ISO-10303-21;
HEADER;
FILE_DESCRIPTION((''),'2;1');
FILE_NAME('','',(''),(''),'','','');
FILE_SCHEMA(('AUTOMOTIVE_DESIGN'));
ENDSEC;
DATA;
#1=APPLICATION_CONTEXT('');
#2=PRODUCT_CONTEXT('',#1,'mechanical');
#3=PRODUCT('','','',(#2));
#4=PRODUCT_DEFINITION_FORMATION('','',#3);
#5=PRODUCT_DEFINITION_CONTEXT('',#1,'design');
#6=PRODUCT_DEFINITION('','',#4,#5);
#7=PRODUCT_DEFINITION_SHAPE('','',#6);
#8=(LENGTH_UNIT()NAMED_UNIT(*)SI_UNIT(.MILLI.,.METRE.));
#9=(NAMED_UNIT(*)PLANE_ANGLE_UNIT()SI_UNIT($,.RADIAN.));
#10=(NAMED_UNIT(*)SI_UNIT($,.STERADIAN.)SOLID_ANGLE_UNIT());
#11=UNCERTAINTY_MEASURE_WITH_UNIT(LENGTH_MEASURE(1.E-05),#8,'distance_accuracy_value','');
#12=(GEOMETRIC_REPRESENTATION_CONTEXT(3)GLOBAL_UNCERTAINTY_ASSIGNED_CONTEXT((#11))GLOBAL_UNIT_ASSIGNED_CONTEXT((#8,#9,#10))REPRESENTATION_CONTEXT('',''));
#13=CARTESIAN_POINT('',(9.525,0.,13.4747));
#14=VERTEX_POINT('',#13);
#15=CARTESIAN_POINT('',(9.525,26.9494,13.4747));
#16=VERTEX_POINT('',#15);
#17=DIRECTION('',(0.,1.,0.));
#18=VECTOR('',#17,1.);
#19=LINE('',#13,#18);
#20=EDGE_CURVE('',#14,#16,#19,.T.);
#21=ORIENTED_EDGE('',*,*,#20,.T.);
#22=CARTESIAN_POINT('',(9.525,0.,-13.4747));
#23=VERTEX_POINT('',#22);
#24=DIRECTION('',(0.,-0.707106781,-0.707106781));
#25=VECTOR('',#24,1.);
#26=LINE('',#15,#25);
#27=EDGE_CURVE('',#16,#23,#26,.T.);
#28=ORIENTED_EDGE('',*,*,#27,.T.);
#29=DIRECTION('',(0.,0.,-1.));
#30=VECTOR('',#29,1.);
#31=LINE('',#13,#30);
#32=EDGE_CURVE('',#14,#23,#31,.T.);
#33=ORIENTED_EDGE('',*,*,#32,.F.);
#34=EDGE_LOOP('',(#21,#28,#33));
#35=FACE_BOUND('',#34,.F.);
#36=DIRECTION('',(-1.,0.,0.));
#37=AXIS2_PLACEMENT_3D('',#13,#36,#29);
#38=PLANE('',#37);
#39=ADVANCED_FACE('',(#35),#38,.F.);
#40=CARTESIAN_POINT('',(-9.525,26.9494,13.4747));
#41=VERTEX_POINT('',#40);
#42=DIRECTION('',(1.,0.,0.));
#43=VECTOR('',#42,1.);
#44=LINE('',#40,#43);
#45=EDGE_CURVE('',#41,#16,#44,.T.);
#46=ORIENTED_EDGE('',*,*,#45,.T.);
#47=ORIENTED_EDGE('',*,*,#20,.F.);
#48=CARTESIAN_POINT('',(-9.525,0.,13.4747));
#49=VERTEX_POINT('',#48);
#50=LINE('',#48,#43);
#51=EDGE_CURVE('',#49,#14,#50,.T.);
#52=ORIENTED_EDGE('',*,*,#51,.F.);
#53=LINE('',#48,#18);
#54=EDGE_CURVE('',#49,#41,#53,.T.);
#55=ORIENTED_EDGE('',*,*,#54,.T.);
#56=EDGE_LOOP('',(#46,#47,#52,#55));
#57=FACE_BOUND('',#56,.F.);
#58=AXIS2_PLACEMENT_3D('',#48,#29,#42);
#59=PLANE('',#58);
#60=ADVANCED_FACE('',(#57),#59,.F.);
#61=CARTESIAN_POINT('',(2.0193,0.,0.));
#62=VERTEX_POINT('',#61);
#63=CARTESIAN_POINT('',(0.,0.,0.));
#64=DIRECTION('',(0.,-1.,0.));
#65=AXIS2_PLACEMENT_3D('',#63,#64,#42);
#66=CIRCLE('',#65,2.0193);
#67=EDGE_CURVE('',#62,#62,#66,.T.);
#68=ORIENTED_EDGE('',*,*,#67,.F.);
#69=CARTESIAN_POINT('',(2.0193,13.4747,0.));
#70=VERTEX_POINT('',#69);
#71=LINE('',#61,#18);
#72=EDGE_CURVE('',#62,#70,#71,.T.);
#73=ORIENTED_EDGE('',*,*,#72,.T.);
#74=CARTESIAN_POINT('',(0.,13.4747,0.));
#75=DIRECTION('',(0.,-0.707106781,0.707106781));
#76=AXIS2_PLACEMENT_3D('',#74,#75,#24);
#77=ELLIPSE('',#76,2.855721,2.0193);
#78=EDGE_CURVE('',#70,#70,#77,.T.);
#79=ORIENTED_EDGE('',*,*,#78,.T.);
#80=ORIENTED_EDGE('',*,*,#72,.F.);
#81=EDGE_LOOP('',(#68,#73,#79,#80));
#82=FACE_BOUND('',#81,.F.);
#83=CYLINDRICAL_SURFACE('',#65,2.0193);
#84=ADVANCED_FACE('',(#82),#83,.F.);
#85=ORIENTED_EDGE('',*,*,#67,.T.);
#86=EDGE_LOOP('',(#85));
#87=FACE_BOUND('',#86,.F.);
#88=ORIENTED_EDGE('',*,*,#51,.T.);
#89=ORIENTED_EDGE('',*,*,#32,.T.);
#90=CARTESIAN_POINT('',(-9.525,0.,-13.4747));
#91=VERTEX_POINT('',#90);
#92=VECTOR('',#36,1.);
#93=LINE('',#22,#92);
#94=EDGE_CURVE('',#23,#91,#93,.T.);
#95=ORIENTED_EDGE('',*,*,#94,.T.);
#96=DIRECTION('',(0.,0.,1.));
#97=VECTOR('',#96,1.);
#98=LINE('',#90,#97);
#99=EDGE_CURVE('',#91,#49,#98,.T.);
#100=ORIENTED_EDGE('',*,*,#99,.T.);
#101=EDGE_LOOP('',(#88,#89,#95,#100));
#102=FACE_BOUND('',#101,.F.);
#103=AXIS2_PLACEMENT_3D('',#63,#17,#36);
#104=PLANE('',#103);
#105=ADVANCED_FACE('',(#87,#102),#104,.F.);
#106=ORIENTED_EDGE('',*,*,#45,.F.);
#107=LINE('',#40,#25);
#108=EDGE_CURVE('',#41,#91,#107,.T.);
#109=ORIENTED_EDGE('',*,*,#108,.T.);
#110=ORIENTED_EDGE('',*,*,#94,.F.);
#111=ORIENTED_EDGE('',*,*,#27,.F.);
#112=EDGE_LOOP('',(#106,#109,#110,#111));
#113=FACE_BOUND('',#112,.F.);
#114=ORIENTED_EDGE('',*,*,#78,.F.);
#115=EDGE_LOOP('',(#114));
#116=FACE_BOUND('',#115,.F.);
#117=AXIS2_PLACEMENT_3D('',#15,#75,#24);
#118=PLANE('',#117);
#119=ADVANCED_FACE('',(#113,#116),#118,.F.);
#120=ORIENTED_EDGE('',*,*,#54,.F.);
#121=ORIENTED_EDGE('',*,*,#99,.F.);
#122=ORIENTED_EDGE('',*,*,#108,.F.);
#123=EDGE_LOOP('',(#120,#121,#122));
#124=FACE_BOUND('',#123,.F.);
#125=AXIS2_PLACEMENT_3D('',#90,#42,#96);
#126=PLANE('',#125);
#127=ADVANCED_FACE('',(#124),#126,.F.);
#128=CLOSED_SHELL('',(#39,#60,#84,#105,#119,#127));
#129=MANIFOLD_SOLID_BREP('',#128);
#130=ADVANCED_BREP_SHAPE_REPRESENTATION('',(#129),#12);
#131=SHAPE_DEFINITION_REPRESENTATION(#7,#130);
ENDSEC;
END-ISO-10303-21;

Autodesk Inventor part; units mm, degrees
ref_plane "YZ Plane" through (0, 0, 0) normal (1, 0, 0) x (0, 1, 0)
ref_plane "XZ Plane" through (0, 0, 0) normal (0, 1, 0) x (-1, 0, 0)
ref_plane "XY Plane" through (0, 0, 0) normal (0, 0, 1) x (1, 0, 0)
sketch "Sketch1" plane through (0, 0, 0) normal (0, 1, 0) x (-1, 0, 0)
  line L0 (-9.525, -13.4747) -> (9.525, -13.4747)
  line L1 (9.525, -13.4747) -> (9.525, 13.4747)
  line L2 (9.525, 13.4747) -> (-9.525, 13.4747)
  line L3 (-9.525, 13.4747) -> (-9.525, -13.4747)
  line L4 (-9.525, -13.4747) -> (9.525, 13.4747) construction
  line L5 (9.525, -13.4747) -> (-9.525, 13.4747) construction
  point P0 (0, 0)
  dimension "d0" = 19.05
  dimension "d1" = 26.9494
extrude "Extrusion1" add sketch "Sketch1" along normal blind 26.9494
sketch "Sketch2" plane through (9.525, 0, 13.4747) normal (1, 0, 0) x (0, 0, -1)
  line L0 (26.9494, 26.9494) -> (0, 26.9494) projected
  line L1 (0, 26.9494) -> (26.9494, 0)
  line L2 (0, 0) -> (26.9494, 0) projected
  line L3 (26.9494, 0) -> (26.9494, 26.9494) projected
  line L4 (0, 26.9494) -> (26.9494, 26.9494) projected
  line L5 (0, 0) -> (0, 26.9494) projected
  point P0 (13.4747, 0)
extrude "Extrusion2" cut sketch "Sketch2" against normal blind 19.05 contours L3 L1 L0
sketch "Sketch3" plane through (0, 0, 0) normal (0, -1, 0) x (1, 0, 0)
  circle A0 centre (0, 0) radius 2.0193
  dimension "d6" = 4.0386
extrude "Extrusion3" cut sketch "Sketch3" against normal blind 19.05
thread "Thread1" size "10-32 UNF" class "2B" standard "ANSI Unified Screw Threads" full length
properties part number "STRU_011_BilletWedge" material "Aluminum 6061"
